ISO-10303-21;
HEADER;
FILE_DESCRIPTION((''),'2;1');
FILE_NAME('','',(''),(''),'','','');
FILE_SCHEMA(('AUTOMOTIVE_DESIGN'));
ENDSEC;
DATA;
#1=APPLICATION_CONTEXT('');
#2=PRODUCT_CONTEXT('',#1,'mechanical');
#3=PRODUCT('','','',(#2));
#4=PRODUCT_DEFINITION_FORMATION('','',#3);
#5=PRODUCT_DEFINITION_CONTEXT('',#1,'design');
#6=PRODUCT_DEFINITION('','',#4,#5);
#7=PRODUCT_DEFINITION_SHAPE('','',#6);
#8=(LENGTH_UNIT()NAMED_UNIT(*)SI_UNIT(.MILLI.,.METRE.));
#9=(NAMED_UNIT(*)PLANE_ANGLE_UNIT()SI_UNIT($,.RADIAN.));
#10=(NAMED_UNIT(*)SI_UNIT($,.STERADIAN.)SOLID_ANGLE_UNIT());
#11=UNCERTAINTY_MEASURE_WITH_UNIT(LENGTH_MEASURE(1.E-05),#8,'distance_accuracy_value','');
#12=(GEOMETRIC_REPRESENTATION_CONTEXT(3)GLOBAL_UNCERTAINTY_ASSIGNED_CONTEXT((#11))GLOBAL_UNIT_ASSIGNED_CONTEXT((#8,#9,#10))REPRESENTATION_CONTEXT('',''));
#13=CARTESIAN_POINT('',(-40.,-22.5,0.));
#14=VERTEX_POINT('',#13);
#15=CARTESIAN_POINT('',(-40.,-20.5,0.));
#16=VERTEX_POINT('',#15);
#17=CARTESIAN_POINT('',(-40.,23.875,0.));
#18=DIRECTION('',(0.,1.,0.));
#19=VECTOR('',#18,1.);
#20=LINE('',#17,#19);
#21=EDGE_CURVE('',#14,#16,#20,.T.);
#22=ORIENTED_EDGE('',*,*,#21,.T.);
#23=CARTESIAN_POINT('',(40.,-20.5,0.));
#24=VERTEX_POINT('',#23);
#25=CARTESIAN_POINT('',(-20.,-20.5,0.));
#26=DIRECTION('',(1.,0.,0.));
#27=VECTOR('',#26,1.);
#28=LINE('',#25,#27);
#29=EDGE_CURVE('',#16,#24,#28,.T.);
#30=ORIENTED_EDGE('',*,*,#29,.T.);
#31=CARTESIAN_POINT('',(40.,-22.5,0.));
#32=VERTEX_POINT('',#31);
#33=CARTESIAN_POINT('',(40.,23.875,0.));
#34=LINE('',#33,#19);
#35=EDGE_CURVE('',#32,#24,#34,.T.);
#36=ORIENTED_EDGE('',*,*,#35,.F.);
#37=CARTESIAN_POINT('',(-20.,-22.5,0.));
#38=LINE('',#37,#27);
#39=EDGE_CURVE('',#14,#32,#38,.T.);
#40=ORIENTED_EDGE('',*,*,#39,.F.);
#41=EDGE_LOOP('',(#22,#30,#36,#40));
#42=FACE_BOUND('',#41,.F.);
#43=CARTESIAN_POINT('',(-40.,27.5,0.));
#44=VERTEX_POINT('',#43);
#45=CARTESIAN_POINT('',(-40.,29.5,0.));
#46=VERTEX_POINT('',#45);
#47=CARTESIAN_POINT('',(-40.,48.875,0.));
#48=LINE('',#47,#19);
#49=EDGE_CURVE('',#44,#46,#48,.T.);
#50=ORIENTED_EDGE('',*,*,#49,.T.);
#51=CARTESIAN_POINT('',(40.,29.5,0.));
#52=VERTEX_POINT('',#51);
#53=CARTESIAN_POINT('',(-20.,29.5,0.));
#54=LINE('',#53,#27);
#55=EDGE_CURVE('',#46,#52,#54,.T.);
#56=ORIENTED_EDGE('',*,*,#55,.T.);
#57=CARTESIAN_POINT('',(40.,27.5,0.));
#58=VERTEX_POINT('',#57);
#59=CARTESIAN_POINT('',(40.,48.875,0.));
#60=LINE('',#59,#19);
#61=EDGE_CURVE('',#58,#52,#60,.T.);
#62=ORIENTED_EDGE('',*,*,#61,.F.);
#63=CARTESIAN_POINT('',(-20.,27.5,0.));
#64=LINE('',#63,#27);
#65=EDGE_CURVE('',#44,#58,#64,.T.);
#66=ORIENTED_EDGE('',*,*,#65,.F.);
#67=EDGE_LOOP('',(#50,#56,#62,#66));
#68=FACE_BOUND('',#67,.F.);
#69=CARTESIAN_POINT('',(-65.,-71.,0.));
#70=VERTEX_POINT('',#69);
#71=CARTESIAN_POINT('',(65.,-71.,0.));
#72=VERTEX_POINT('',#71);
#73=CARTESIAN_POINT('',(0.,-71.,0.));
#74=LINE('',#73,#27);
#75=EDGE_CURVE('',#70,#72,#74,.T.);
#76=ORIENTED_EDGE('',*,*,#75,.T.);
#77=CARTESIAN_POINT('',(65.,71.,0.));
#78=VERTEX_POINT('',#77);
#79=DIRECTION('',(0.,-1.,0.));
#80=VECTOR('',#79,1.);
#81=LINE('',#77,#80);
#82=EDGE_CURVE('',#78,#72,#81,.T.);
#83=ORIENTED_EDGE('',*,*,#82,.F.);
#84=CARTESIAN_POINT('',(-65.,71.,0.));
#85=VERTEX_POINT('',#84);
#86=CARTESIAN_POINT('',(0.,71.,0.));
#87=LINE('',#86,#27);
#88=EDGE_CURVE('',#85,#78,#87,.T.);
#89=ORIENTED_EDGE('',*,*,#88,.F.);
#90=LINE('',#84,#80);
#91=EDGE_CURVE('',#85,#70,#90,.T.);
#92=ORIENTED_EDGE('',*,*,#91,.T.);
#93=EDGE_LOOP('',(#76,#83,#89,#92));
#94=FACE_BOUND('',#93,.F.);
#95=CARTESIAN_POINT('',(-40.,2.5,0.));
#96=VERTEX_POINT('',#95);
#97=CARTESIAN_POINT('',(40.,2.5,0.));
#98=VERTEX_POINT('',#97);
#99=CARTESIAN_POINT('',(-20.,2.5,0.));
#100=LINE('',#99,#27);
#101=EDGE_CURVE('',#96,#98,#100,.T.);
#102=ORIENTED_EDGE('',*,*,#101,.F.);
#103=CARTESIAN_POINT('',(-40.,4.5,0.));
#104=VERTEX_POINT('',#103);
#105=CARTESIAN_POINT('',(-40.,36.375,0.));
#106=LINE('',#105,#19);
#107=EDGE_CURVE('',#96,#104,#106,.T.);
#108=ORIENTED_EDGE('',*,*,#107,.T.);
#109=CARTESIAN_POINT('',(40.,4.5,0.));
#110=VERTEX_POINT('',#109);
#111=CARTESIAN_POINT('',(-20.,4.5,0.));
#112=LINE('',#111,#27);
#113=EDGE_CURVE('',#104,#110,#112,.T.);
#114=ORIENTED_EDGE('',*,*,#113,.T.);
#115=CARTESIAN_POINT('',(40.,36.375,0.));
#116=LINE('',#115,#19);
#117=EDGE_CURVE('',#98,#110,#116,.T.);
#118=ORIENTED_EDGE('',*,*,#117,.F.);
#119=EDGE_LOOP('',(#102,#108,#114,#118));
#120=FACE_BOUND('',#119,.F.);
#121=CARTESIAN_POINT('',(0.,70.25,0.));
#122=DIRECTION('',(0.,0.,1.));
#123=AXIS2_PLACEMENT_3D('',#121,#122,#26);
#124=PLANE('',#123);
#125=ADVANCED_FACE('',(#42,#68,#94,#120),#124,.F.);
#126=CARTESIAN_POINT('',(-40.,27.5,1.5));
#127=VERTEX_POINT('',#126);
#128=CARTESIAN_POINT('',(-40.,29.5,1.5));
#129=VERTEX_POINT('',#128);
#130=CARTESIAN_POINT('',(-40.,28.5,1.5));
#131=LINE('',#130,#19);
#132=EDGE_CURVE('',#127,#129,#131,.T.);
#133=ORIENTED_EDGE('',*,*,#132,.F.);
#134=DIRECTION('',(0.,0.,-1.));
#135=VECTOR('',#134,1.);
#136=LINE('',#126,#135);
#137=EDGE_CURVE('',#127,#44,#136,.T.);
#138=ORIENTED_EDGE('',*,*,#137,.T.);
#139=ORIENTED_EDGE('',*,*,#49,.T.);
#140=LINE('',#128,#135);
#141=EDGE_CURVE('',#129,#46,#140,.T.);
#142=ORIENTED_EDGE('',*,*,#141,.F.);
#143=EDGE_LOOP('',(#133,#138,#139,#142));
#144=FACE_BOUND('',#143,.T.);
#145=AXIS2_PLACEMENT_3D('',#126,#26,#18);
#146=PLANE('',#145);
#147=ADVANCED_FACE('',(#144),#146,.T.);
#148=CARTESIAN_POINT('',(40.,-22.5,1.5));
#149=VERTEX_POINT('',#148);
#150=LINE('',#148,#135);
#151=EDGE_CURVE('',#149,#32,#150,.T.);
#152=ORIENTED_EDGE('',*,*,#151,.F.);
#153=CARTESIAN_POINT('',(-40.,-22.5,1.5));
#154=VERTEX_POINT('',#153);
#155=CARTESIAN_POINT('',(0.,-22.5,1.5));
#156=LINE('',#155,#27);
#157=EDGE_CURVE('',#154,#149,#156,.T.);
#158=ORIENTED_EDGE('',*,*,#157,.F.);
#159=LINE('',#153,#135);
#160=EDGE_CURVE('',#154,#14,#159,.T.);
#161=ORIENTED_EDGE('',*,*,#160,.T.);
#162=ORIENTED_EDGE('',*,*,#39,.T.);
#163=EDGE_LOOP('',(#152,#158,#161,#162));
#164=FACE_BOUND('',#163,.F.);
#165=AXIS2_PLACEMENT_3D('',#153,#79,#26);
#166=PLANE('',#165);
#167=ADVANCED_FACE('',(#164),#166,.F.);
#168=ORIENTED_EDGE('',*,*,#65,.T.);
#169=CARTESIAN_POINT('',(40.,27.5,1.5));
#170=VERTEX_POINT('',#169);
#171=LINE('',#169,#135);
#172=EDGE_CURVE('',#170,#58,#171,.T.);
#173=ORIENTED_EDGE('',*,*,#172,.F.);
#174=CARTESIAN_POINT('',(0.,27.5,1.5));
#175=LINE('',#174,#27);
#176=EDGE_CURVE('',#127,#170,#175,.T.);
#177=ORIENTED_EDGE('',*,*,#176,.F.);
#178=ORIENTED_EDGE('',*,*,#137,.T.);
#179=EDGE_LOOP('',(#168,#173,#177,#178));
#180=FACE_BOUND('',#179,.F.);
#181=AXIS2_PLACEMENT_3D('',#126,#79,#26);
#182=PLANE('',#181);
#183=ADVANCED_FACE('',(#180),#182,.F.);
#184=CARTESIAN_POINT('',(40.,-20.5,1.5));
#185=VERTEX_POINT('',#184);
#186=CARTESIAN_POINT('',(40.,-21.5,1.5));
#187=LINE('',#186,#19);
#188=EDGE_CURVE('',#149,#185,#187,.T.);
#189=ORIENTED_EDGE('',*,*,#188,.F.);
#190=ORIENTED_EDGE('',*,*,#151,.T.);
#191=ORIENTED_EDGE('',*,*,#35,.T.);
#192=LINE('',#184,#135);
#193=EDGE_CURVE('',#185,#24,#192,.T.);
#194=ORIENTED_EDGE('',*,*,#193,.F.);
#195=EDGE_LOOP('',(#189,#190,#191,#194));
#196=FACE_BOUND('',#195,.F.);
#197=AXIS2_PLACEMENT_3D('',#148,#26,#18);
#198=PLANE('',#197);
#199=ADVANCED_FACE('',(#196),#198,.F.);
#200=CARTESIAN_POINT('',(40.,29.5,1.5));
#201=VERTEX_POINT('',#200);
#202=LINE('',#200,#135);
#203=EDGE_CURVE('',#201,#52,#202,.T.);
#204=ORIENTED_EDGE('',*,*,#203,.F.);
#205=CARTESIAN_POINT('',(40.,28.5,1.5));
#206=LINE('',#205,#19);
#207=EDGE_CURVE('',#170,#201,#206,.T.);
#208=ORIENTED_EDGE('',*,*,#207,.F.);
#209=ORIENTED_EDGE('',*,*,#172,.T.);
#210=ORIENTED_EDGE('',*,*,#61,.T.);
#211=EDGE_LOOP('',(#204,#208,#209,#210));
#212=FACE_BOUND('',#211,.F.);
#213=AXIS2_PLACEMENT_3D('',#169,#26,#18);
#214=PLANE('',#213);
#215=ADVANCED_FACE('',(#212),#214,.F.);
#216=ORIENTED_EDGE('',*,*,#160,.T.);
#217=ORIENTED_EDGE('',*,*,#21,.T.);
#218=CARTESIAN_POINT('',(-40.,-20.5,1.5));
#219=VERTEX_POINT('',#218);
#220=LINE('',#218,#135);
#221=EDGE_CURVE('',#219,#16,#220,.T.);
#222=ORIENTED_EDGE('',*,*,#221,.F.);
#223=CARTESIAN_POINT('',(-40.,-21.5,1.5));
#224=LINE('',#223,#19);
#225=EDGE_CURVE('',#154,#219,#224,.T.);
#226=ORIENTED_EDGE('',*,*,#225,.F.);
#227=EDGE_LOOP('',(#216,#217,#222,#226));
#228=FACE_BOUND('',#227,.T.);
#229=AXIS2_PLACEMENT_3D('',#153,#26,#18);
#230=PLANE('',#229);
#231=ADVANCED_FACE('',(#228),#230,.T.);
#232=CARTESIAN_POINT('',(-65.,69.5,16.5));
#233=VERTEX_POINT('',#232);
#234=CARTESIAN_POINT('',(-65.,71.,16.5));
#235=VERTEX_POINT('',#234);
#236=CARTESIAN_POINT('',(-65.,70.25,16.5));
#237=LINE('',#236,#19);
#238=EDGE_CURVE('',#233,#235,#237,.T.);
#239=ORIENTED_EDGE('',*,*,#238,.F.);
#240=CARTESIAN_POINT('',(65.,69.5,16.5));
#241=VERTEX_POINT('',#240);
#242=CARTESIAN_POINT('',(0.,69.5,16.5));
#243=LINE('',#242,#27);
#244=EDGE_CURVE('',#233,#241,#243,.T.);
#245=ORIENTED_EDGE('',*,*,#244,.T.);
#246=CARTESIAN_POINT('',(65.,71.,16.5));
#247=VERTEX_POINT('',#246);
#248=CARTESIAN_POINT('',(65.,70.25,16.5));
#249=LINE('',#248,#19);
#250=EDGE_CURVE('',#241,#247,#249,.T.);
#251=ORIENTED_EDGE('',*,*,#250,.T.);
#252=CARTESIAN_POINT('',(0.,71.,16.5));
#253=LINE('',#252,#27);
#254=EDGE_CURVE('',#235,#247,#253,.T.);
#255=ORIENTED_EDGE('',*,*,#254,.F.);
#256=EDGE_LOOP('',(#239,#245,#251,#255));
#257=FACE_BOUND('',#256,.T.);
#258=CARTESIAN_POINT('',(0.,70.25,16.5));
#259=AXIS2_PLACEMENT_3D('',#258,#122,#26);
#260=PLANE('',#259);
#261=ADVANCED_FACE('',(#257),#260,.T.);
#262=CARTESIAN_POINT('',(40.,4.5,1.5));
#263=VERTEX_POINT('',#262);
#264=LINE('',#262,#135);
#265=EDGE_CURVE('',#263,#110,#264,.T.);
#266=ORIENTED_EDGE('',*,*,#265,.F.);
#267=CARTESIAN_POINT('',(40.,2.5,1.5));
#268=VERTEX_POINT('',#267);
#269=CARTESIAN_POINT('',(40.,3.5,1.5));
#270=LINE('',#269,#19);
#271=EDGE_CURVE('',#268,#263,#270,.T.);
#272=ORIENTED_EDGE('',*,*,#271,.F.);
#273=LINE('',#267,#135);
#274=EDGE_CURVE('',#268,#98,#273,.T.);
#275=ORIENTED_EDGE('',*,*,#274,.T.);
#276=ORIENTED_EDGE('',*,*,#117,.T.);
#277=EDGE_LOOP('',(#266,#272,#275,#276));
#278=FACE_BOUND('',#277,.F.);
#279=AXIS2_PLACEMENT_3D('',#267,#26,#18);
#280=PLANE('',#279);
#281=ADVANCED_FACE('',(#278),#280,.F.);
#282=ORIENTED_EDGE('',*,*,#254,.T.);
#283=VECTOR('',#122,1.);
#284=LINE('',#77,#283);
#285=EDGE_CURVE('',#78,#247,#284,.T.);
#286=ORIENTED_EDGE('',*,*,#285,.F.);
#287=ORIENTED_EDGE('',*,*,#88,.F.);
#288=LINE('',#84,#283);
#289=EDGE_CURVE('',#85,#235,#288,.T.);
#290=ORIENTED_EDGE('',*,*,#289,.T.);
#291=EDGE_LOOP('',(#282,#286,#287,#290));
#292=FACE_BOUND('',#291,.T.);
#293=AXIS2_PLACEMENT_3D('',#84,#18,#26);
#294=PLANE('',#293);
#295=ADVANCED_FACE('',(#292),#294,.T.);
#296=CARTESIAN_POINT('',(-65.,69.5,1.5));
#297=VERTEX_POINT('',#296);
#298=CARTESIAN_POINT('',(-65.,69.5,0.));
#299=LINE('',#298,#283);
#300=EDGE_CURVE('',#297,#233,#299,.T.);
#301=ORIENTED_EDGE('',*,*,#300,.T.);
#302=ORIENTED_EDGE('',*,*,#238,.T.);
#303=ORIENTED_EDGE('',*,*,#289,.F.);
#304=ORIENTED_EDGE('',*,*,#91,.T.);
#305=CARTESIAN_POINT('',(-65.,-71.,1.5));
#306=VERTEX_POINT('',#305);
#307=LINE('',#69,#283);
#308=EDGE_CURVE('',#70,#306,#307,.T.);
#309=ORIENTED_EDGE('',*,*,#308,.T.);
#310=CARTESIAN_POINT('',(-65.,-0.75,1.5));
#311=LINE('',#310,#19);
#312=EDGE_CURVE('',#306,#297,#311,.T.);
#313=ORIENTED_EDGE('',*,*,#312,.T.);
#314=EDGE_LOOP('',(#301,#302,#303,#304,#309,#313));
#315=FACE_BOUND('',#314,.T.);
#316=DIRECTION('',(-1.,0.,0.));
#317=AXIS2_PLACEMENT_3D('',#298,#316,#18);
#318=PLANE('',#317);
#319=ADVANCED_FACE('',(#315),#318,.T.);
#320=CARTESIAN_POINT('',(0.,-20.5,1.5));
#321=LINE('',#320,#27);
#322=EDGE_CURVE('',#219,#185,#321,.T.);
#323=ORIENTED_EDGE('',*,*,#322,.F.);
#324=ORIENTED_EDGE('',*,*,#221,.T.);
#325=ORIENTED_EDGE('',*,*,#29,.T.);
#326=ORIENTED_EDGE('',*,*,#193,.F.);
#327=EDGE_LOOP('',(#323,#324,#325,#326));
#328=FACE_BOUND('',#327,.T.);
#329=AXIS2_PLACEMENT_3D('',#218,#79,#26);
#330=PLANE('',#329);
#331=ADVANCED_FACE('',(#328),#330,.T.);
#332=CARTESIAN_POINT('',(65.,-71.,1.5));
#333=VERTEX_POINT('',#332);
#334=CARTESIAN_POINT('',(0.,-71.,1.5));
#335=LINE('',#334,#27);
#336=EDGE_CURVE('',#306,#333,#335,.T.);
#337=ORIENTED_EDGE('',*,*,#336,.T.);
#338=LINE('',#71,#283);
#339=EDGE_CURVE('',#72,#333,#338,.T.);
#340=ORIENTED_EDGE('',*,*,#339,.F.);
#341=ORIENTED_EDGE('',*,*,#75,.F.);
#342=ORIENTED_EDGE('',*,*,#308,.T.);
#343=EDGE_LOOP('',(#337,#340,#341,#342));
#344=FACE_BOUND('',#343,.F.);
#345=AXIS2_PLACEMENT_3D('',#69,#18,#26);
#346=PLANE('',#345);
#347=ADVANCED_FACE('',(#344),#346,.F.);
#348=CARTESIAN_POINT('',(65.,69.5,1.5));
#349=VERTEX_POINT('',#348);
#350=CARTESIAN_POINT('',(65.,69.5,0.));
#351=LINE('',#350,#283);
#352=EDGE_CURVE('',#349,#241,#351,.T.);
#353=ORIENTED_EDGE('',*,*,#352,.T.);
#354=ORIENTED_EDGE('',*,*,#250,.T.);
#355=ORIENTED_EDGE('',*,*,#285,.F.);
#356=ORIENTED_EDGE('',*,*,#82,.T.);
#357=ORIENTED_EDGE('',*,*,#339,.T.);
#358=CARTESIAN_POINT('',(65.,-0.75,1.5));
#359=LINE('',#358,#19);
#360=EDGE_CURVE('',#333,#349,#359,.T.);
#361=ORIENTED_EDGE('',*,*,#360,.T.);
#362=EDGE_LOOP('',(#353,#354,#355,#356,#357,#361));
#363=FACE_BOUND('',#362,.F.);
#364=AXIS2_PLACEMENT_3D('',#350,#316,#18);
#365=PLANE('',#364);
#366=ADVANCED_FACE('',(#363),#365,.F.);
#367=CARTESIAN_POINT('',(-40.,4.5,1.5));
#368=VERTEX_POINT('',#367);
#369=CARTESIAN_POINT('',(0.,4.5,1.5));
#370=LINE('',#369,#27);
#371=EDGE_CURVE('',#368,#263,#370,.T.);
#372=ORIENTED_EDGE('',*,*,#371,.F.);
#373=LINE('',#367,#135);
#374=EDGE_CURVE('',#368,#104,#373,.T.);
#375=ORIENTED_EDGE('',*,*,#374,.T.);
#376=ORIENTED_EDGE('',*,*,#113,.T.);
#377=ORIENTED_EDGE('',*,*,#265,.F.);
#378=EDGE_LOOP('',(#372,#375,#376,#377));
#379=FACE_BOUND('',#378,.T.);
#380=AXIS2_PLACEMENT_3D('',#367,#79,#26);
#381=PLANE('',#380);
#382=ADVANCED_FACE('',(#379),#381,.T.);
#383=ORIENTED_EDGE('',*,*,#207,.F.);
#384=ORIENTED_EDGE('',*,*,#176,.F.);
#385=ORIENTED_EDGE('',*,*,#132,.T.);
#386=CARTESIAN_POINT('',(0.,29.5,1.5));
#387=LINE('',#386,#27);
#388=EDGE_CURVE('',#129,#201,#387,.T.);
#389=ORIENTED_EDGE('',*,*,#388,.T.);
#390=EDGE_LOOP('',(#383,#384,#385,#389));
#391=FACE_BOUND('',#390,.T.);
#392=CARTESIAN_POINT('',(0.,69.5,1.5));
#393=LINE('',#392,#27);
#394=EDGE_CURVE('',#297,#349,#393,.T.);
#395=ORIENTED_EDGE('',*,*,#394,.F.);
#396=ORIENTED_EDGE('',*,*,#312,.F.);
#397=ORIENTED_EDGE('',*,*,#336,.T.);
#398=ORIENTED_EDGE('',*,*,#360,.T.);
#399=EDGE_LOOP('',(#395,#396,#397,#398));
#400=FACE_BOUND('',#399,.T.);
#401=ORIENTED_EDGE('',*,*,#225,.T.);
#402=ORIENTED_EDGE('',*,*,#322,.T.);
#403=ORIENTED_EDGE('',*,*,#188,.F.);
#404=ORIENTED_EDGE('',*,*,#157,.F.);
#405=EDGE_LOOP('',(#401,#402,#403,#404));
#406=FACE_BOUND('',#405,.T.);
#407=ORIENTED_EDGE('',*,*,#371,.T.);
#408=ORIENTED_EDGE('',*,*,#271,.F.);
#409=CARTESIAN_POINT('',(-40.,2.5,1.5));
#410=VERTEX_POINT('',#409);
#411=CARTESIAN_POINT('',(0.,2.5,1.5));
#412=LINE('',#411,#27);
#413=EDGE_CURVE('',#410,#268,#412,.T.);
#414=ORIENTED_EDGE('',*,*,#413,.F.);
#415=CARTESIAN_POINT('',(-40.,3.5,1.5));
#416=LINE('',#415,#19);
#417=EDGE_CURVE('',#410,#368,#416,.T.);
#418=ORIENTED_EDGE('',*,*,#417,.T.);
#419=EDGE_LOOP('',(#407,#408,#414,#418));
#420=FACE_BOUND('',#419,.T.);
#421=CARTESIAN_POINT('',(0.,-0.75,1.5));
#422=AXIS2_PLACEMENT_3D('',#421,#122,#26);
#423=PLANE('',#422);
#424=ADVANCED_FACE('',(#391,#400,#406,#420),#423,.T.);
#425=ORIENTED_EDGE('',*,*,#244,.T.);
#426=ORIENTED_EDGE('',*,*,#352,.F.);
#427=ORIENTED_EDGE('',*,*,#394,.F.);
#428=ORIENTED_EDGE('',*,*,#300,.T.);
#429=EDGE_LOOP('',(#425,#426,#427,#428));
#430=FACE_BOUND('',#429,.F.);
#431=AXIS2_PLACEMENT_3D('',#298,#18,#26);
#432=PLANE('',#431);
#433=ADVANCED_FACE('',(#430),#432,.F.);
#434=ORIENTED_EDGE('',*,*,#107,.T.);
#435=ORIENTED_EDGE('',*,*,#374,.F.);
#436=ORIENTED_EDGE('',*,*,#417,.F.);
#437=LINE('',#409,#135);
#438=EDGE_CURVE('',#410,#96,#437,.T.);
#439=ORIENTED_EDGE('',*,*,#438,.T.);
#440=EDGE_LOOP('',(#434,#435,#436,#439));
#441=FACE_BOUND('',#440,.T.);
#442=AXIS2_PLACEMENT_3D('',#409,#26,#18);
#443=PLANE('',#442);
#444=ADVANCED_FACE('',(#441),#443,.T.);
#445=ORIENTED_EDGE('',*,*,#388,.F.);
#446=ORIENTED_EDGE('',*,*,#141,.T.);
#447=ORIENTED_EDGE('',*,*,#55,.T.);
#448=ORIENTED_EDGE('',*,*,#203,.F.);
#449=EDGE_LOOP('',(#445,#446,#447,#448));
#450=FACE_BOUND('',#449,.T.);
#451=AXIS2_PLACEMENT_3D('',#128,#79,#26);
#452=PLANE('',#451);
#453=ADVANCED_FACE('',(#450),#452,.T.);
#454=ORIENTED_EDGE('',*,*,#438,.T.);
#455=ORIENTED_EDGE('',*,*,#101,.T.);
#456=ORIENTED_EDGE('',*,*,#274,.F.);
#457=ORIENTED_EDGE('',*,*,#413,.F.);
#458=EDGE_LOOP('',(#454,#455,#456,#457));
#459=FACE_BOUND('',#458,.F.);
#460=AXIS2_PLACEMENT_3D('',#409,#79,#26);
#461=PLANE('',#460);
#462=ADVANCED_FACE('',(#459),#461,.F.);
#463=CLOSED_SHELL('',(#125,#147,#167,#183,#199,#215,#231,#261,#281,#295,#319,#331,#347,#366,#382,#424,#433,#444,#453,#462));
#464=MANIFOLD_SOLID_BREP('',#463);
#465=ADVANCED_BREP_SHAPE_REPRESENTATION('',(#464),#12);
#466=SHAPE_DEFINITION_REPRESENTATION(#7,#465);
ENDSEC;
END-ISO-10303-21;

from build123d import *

# Parameters (mm, degrees)
F2_W     = 130
F2_H     = 140.5
F3_DEPTH = 1.5
F2_H_2   = 1.5
F4_DEPTH = 16.5
F5_W     = 80
F5_H     = 2
F6_DEPTH = 1.501


with BuildPart() as f3:
    # F2 (on Top) → F3 (new body)
    with BuildSketch(Plane.XY):
        with Locations((0, -0.75)):
            Rectangle(F2_W, F2_H)
    extrude(amount=F3_DEPTH)

    # F2 (on Top) → F4 (join)
    with BuildSketch(Plane.XY):
        with Locations((0, 70.25)):
            Rectangle(F2_W, F2_H_2)
    extrude(amount=F4_DEPTH)

    # F5 (on face) → F6 (cut, through all)
    with BuildSketch(Plane.XY.offset(1.5)):
        with Locations((0, 28.5)):
            Rectangle(F5_W, F5_H)
        with Locations((0, 3.5)):
            Rectangle(F5_W, F5_H)
        with Locations((0, -21.5)):
            Rectangle(F5_W, F5_H)
    extrude(amount=-F6_DEPTH, mode=Mode.SUBTRACT)


solid = f3.part
